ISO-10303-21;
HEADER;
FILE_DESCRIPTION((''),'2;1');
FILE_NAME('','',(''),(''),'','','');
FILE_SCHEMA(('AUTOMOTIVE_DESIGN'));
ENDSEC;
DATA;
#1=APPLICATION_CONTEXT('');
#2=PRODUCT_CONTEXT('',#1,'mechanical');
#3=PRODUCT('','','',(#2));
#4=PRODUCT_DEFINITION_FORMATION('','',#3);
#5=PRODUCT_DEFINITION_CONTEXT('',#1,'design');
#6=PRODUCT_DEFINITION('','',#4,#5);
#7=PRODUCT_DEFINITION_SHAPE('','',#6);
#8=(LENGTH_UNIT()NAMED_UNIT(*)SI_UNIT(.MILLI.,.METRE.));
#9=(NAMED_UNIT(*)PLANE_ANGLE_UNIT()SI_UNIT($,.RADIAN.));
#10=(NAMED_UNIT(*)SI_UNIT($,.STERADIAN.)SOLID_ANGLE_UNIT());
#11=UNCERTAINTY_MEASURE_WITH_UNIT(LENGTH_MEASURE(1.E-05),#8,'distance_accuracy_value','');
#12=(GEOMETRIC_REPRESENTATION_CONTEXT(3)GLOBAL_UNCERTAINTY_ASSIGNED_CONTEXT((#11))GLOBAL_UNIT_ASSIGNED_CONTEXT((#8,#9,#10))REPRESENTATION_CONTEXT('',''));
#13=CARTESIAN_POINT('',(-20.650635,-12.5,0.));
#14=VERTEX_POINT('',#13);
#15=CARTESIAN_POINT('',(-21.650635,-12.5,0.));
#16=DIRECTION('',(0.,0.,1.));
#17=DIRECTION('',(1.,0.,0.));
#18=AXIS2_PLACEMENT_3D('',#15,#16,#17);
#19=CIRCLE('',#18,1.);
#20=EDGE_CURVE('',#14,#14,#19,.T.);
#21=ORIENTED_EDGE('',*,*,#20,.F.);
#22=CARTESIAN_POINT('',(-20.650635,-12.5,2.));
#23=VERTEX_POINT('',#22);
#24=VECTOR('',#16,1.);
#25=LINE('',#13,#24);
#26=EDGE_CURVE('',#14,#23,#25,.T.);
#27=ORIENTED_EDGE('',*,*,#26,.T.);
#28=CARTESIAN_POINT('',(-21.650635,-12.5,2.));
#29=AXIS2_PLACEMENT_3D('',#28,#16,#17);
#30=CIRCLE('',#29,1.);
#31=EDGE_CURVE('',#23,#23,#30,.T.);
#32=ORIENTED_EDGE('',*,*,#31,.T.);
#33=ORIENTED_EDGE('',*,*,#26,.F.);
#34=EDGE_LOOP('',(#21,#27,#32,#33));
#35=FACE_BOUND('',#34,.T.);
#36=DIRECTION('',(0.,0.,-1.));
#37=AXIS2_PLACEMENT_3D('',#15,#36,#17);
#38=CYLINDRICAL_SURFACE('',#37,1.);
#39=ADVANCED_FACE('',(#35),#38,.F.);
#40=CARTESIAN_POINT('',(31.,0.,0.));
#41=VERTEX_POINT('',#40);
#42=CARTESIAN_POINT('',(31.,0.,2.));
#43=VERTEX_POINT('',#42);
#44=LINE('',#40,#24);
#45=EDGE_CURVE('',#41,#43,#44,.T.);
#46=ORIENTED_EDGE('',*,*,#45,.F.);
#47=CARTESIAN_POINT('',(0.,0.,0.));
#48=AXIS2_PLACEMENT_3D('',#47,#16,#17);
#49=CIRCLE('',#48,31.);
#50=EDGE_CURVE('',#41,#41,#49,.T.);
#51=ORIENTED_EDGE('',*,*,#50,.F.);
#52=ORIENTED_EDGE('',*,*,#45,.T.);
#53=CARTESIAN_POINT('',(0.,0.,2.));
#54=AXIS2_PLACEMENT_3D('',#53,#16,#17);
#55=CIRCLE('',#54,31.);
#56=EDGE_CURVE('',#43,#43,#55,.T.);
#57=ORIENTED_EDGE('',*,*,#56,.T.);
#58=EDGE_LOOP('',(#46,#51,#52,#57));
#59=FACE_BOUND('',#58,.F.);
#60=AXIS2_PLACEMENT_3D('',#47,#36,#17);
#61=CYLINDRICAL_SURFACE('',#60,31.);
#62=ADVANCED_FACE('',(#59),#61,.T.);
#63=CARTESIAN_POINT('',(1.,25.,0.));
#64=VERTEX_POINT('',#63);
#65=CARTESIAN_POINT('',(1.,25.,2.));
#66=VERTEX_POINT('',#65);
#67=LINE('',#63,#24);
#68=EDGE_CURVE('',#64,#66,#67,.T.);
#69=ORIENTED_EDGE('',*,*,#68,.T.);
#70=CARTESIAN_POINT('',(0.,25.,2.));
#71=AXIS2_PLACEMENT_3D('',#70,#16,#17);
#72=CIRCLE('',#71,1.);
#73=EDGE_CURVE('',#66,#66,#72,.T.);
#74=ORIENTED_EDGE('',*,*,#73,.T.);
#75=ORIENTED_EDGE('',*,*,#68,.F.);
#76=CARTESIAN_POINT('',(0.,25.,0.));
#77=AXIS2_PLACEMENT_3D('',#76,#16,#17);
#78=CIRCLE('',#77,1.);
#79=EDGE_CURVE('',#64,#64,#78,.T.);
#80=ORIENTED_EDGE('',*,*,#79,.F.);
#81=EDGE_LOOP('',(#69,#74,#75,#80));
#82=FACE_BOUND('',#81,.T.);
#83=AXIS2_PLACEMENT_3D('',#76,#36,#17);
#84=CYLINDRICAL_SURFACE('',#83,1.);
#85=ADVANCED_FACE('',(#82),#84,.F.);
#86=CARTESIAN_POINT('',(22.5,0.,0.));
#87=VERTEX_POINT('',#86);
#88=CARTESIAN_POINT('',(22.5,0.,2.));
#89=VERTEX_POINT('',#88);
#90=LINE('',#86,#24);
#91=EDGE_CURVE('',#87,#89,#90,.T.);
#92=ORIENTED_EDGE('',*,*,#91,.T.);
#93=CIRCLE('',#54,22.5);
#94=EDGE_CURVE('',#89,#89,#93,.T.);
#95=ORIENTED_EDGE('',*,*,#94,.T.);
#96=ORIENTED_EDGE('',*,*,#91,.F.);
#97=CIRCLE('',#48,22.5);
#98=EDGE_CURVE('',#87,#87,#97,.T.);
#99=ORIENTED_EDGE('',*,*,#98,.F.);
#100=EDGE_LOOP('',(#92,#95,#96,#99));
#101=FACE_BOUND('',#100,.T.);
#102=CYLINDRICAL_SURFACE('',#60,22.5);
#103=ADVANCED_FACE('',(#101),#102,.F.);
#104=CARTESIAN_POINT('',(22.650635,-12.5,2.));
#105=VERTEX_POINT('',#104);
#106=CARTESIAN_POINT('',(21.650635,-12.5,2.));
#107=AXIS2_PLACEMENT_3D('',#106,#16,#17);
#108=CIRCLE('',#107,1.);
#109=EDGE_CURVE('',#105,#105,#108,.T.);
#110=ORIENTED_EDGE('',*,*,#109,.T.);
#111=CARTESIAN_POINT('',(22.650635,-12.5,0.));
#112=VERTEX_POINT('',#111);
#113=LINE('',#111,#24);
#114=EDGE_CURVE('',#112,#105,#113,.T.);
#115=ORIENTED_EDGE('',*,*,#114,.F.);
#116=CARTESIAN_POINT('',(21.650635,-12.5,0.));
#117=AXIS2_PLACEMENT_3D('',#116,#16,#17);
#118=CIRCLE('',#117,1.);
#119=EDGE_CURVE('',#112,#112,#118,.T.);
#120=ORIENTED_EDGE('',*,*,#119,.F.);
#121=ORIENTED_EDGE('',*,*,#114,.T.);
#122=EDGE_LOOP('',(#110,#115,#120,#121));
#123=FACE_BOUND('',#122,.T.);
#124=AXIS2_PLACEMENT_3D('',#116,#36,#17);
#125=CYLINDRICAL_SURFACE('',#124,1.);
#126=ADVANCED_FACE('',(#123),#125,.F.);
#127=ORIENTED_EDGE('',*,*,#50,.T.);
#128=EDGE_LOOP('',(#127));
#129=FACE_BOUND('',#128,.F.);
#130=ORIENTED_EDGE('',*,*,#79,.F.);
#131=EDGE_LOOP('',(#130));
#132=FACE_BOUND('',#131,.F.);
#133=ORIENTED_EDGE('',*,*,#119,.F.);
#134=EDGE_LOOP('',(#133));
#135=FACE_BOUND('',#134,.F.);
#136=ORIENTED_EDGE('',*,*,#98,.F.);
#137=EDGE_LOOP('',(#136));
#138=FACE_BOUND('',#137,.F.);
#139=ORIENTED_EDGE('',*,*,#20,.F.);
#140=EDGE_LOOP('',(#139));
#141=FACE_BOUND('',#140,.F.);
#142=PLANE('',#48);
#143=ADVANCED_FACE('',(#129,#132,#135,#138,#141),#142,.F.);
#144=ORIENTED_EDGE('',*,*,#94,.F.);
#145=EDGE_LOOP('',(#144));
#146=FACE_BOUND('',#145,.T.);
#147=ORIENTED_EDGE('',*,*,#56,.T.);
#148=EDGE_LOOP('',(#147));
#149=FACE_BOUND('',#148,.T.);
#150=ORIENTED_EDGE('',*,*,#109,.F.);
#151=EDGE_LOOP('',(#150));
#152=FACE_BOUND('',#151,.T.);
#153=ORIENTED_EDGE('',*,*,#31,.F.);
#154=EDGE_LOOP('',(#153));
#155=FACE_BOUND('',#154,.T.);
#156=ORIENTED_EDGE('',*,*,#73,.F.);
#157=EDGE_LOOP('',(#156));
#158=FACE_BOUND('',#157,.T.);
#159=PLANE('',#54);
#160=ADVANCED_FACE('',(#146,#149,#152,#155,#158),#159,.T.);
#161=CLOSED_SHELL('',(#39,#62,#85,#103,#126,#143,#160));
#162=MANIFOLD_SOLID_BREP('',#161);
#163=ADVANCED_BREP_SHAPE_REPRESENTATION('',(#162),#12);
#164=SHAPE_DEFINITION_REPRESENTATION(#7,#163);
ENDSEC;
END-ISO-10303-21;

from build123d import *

# Parameters (mm, degrees)
SKETCH_R   = 31
SKETCH_R_2 = 22.5
SKETCH_R_3 = 1
PAD_DEPTH  = 2


with BuildPart() as part:
    # Sketch → Pad (new body)
    with BuildSketch(Plane.XY):
        Circle(SKETCH_R)
        Circle(SKETCH_R_2, mode=Mode.SUBTRACT)
        with Locations((0, 25)):
            Circle(SKETCH_R_3, mode=Mode.SUBTRACT)
        with Locations((-21.650635, -12.5)):
            Circle(SKETCH_R_3, mode=Mode.SUBTRACT)
        with Locations((21.650635, -12.5)):
            Circle(SKETCH_R_3, mode=Mode.SUBTRACT)
    extrude(amount=PAD_DEPTH)


solid = part.part
